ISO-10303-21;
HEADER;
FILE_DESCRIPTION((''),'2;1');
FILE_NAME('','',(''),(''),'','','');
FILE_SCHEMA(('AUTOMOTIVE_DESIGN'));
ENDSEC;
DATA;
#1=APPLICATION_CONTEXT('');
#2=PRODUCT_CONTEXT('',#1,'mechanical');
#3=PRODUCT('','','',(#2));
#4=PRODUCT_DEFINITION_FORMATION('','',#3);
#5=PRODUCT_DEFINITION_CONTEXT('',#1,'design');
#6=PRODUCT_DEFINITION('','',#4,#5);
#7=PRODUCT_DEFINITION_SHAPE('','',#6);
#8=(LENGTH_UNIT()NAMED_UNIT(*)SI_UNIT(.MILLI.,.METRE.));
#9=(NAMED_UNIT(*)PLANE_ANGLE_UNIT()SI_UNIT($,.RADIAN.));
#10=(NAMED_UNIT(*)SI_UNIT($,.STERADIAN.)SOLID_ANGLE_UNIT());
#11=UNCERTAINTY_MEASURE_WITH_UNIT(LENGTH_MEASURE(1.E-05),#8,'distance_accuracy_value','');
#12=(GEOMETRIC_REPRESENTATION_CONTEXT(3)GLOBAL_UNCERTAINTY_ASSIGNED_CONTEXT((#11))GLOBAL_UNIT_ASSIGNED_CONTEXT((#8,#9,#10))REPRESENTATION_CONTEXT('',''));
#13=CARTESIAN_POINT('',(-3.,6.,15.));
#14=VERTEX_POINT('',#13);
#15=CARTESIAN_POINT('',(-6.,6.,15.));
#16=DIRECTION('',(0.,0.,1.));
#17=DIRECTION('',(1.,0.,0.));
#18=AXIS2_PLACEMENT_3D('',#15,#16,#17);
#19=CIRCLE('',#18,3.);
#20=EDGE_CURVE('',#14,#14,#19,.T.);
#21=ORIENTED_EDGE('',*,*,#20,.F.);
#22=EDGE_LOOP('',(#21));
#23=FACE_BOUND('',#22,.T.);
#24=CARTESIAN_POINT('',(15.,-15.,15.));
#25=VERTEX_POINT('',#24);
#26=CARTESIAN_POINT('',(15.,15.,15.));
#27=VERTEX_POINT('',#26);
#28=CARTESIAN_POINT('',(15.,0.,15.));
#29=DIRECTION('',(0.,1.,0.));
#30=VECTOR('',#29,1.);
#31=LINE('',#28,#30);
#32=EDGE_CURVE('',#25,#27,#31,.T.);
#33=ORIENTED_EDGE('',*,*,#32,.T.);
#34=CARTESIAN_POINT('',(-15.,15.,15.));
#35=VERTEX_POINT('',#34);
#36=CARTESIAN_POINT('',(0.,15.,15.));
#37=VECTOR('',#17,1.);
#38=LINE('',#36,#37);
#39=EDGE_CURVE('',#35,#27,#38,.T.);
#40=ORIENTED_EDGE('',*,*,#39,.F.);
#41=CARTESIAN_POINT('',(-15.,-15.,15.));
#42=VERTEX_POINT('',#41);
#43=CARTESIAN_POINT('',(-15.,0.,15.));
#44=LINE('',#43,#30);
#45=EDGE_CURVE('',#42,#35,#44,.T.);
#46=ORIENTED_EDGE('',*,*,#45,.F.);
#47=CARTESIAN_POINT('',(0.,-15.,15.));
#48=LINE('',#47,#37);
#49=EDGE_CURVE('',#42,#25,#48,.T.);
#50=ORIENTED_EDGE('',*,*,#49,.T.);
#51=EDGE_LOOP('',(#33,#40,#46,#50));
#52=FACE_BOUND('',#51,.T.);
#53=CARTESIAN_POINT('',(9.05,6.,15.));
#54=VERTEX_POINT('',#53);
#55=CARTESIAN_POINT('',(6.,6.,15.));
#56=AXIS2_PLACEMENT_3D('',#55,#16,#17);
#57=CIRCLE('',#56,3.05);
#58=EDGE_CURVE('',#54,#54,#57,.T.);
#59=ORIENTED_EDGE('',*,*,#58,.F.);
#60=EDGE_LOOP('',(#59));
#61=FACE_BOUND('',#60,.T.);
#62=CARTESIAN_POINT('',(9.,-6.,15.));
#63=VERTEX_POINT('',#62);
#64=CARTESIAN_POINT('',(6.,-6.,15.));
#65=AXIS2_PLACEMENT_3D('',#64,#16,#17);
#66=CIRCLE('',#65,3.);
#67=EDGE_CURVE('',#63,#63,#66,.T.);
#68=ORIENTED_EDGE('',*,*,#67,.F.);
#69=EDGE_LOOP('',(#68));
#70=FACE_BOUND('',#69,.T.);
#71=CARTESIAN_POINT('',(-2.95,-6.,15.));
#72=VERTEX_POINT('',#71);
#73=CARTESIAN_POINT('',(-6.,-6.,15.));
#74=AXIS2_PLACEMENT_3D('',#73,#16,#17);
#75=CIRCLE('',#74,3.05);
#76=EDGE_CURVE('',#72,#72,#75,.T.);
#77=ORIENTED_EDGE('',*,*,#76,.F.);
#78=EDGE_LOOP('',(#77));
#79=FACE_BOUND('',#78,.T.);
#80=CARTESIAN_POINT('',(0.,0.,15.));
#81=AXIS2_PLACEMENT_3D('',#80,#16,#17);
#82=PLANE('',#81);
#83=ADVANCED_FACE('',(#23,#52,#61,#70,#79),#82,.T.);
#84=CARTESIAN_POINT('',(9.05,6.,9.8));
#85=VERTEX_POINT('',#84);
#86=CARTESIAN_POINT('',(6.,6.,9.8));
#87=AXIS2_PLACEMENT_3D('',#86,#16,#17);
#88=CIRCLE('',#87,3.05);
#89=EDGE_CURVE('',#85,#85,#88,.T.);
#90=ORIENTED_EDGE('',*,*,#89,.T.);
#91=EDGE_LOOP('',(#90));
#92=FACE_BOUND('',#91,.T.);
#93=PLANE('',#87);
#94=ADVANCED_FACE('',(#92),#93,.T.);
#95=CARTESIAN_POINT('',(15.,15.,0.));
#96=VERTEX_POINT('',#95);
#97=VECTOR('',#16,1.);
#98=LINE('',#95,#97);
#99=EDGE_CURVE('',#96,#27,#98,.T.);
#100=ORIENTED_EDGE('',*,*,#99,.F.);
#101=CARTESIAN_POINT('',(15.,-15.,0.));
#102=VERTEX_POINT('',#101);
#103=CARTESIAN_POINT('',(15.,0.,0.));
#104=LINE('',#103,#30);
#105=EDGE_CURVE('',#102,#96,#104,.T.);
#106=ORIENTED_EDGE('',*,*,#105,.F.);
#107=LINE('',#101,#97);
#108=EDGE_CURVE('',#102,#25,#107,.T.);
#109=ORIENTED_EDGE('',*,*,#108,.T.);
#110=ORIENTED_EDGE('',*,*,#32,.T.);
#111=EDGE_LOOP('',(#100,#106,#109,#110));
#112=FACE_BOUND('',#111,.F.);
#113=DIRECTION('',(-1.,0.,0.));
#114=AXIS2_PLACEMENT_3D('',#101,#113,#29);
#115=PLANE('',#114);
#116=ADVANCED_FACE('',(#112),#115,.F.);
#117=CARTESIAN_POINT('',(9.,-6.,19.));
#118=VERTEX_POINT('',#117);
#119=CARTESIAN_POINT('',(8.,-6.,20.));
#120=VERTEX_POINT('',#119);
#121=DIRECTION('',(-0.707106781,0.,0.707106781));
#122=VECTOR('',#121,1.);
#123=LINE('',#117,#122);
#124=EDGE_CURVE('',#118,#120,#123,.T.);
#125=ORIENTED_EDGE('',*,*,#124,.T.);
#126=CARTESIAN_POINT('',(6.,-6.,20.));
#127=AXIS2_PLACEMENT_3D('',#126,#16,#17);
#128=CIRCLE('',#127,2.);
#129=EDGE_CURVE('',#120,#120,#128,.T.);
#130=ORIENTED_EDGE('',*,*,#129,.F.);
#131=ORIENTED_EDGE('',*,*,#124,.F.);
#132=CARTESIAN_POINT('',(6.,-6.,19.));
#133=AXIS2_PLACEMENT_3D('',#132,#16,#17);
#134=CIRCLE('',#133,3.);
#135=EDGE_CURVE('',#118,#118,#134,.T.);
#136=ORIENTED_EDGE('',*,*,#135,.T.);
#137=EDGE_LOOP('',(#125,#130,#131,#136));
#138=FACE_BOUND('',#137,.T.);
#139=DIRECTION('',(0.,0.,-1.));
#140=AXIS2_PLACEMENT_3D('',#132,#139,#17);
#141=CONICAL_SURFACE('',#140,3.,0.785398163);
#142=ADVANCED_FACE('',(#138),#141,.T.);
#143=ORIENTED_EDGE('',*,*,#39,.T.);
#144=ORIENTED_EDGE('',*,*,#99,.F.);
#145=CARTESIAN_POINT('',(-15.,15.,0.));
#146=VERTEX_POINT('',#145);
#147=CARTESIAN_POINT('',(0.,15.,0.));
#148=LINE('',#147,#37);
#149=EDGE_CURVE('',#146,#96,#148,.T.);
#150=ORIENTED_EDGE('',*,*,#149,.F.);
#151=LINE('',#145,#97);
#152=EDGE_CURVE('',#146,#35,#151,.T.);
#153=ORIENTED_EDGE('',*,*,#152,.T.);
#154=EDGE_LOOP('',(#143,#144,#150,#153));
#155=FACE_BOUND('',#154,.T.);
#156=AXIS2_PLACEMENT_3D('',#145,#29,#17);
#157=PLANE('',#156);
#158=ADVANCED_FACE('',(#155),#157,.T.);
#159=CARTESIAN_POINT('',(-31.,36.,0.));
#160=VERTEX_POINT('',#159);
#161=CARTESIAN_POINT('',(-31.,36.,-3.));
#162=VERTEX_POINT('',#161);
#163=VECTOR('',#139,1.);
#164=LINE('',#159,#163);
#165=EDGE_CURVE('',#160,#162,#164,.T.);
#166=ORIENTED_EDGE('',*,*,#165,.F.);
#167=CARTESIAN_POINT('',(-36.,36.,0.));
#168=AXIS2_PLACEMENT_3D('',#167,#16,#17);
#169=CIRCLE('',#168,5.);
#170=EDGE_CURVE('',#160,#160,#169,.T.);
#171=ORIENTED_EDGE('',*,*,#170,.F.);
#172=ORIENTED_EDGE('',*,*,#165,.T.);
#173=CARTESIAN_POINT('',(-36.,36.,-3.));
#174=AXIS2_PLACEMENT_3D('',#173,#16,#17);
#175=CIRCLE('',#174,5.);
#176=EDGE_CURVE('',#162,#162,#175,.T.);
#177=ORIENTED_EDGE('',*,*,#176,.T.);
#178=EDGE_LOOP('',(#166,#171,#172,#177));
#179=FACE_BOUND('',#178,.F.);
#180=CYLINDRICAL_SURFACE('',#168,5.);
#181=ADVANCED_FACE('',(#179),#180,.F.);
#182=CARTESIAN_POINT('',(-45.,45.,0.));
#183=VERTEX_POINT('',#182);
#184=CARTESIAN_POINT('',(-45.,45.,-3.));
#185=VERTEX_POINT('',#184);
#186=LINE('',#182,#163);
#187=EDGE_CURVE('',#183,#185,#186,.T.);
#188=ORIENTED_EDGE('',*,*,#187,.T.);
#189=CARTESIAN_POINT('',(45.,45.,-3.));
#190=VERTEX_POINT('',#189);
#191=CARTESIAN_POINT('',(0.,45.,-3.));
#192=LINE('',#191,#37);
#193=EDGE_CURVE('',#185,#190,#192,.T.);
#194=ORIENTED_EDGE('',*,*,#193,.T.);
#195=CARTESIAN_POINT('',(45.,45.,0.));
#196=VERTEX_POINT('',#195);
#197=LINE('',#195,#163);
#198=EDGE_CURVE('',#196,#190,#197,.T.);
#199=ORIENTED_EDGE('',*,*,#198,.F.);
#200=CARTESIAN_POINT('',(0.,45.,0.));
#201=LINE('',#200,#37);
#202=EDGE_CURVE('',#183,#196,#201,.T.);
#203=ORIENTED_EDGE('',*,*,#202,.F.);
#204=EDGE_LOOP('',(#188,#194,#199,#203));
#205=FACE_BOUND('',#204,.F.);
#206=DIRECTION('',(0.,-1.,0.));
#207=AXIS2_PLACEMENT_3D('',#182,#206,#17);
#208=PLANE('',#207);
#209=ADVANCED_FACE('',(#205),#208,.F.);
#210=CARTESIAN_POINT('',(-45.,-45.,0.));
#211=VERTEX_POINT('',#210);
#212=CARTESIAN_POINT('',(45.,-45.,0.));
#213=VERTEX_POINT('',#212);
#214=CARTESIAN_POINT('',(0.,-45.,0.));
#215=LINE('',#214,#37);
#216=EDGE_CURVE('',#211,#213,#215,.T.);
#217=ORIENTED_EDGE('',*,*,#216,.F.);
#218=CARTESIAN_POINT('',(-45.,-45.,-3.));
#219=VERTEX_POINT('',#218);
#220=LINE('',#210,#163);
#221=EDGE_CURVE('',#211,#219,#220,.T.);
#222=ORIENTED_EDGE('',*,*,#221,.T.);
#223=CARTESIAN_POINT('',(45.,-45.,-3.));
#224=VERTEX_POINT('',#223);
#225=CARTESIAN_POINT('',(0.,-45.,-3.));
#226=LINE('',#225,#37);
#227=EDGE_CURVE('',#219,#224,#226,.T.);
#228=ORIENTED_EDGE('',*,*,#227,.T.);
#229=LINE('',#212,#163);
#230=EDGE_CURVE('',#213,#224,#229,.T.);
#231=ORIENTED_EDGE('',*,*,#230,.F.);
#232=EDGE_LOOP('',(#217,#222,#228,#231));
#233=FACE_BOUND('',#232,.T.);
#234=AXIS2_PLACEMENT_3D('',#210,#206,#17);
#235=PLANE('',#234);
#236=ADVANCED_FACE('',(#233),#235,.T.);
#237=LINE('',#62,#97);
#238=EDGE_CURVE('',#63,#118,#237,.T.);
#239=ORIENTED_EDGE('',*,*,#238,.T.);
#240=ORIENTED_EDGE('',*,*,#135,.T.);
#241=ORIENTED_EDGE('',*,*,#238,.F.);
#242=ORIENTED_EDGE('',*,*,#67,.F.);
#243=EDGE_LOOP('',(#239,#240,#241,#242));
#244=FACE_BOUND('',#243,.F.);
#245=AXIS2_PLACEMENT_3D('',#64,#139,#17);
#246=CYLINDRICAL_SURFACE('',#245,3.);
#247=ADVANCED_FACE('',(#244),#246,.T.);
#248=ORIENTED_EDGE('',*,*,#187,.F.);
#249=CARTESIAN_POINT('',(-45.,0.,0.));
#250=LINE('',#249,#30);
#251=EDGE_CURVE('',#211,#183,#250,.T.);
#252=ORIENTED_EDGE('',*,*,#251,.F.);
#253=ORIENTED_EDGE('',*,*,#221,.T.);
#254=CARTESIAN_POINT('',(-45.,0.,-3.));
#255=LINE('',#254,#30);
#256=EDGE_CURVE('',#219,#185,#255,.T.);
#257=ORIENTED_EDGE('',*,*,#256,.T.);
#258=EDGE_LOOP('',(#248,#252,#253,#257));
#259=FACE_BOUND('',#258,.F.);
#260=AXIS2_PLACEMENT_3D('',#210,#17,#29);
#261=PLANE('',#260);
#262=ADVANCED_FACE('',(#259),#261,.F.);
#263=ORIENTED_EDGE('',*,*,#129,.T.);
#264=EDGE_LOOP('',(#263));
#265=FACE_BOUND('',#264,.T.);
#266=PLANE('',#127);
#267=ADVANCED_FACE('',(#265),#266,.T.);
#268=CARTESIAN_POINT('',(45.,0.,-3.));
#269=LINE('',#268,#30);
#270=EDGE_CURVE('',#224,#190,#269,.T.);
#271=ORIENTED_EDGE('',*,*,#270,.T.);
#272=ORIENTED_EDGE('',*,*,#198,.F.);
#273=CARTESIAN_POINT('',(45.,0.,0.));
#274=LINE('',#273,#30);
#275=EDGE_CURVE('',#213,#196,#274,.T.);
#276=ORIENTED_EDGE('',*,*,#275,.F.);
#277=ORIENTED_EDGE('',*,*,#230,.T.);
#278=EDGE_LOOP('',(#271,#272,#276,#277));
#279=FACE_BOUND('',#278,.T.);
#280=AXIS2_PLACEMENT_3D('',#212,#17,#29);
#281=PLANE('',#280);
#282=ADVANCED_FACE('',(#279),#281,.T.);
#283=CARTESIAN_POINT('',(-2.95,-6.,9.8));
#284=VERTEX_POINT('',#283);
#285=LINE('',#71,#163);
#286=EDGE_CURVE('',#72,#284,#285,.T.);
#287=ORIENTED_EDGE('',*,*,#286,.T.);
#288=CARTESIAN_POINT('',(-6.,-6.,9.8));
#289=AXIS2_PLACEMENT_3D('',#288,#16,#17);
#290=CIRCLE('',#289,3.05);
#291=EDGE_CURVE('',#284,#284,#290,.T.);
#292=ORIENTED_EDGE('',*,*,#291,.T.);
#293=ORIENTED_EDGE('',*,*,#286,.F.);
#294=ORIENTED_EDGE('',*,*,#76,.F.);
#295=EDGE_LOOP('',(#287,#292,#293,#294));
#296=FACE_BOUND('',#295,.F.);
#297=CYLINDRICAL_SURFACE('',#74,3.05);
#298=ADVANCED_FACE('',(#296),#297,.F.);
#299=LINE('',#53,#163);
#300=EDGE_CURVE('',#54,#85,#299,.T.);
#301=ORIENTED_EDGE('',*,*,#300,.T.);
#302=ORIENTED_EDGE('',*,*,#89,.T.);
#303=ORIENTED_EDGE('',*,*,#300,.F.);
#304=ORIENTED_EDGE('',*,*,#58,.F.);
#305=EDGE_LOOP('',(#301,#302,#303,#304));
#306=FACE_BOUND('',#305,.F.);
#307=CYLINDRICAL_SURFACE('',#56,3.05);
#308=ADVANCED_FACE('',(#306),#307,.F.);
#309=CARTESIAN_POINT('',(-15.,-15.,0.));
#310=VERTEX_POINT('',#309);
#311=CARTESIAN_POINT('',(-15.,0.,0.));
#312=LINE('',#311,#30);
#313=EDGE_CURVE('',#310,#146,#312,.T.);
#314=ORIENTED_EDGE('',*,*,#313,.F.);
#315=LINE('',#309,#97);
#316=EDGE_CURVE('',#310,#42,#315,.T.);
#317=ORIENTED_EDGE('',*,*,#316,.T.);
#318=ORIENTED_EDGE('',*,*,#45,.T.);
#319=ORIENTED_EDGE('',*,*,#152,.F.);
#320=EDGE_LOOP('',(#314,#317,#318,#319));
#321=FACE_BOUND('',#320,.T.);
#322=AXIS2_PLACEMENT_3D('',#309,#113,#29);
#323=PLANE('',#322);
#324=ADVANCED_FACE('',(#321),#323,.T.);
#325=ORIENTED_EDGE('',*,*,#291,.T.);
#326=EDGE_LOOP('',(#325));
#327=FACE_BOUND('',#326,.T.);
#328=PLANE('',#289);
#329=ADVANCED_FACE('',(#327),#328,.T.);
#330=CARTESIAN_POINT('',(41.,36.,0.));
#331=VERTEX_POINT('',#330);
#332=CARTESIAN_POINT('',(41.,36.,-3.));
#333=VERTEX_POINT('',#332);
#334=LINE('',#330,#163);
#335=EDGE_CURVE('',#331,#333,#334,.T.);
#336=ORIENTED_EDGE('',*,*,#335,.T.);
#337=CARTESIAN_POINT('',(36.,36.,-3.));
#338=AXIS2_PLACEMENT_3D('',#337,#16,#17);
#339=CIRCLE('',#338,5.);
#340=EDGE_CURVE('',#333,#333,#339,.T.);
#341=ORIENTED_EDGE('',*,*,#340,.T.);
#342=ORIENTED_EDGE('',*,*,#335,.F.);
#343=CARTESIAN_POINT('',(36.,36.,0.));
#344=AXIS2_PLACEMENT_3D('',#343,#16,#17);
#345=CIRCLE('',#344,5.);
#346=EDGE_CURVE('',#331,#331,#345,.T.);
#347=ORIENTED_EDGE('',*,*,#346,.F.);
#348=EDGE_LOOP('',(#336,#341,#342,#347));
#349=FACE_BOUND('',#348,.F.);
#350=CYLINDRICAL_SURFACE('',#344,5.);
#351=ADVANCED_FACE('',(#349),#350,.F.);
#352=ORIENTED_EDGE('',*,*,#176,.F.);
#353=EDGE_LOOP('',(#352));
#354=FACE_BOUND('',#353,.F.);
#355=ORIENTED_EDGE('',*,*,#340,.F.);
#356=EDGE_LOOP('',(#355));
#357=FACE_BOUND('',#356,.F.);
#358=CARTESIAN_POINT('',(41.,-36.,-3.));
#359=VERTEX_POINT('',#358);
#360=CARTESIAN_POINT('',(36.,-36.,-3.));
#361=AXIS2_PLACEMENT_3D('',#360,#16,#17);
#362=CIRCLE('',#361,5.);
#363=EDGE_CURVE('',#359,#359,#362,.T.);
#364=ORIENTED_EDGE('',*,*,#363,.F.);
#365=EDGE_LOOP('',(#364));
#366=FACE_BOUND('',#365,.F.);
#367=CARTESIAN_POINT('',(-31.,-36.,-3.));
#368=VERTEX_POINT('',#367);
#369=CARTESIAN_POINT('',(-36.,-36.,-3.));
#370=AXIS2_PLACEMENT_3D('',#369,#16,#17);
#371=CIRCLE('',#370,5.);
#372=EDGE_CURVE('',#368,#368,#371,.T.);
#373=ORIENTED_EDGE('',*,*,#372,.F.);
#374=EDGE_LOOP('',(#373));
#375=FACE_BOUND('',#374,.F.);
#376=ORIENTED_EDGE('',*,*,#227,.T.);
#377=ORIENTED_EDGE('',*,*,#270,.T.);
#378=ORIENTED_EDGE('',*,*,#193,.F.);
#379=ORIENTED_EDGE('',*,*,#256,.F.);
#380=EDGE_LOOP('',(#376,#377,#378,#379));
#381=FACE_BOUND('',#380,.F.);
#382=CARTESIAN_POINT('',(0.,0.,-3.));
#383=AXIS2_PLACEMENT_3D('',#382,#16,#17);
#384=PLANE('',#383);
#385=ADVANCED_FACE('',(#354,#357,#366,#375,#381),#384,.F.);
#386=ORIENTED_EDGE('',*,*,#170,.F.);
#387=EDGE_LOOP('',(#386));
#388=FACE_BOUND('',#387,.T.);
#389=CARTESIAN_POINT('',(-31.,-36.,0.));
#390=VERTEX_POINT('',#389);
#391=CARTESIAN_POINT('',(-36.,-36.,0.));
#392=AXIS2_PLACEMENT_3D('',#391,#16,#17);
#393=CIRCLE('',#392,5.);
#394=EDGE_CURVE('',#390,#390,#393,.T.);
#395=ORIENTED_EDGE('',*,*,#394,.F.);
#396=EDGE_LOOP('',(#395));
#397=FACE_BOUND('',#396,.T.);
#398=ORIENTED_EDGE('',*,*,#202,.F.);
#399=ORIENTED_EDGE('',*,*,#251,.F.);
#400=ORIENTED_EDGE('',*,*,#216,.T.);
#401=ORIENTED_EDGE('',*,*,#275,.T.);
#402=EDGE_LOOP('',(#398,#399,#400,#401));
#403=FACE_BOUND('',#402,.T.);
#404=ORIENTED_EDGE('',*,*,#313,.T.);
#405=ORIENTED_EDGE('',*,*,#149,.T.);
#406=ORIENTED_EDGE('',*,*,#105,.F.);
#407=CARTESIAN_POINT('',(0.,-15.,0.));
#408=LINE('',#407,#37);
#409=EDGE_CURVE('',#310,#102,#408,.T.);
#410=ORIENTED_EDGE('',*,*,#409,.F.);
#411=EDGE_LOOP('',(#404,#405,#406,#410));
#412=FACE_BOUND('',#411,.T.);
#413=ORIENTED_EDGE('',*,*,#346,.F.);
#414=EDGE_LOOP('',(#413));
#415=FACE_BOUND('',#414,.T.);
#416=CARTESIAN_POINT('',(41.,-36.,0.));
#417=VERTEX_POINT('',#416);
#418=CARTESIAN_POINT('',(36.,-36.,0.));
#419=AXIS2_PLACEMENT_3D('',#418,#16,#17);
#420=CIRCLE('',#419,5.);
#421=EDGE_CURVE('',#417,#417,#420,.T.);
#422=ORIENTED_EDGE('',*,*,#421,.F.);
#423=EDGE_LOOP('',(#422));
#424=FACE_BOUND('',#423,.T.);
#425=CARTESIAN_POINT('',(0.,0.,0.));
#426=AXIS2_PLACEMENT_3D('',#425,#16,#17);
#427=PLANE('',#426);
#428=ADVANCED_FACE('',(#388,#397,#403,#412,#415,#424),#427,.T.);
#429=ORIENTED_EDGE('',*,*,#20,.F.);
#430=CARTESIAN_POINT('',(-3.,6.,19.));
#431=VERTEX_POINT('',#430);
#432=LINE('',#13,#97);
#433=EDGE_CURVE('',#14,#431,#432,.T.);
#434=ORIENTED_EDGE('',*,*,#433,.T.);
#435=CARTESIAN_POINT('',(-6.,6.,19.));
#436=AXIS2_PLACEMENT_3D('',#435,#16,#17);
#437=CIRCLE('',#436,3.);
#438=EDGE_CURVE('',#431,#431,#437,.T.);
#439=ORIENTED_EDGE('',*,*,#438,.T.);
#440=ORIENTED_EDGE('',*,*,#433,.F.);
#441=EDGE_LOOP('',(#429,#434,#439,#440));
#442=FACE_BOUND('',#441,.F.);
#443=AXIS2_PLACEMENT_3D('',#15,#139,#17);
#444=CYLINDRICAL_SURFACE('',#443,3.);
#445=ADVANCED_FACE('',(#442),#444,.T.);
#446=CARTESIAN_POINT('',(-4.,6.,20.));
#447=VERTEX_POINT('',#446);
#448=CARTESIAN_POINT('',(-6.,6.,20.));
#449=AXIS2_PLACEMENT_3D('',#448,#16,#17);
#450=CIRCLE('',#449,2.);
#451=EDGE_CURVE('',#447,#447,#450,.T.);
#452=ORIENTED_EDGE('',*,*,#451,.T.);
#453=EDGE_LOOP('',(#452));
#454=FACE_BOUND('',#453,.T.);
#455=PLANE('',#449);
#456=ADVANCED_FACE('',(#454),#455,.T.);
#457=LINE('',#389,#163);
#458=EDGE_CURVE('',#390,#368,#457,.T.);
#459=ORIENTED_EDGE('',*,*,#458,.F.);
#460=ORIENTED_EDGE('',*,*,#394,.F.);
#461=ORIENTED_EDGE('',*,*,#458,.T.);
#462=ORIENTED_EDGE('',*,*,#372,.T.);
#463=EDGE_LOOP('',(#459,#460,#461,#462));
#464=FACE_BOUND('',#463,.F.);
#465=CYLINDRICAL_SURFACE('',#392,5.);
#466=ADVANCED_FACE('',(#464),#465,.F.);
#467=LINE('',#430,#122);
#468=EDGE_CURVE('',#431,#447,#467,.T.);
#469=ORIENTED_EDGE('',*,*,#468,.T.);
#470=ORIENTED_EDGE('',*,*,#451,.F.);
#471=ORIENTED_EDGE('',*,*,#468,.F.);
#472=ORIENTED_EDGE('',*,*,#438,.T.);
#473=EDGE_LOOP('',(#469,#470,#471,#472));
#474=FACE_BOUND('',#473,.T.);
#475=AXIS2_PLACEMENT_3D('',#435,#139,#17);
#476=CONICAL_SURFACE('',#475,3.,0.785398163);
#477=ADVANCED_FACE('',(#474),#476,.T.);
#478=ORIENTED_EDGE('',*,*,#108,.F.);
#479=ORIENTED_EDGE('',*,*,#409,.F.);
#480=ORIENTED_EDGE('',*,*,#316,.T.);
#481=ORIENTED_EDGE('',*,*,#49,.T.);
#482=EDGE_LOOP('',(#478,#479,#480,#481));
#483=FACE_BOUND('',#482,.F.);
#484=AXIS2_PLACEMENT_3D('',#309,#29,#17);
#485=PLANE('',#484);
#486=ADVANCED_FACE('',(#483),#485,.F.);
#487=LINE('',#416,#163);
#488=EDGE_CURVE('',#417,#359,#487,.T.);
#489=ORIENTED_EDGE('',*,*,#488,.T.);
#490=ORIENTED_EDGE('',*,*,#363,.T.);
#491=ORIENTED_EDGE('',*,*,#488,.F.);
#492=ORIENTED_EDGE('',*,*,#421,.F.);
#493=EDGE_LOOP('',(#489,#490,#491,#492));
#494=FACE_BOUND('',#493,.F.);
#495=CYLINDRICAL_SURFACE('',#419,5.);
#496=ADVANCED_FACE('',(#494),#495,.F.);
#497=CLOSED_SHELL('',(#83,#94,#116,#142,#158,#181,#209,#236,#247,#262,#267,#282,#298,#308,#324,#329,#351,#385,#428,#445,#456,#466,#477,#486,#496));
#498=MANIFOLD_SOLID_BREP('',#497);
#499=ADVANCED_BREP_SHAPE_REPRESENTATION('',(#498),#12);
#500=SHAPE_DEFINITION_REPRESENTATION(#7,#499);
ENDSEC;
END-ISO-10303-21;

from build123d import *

# Parameters (mm, degrees)
F0_W      = 30
F0_H      = 30
F1_DEPTH  = 15
F2_W      = 90
F2_H      = 90
F3_DEPTH  = 3
F4_R      = 5
F5_DEPTH  = 3.001
F6_R      = 3
F7_DEPTH  = 5
F8_SIZE   = 1
F9_R      = 3.05
F10_DEPTH = 5.2


with BuildPart() as f1:
    # F0 (on Top) → F1 (new body)
    with BuildSketch(Plane.XY):
        Rectangle(F0_W, F0_H)
    extrude(amount=F1_DEPTH)

    # F2 (on Top) → F3 (join)
    with BuildSketch(Plane.XY):
        Rectangle(F2_W, F2_H)
    extrude(amount=-F3_DEPTH)

    # F4 (on face) → F5 (cut, through all)
    with BuildSketch(Plane.XY):
        with Locations((-36, 36)):
            Circle(F4_R)
        with Locations((36, 36)):
            Circle(F4_R)
        with Locations((36, -36)):
            Circle(F4_R)
        with Locations((-36, -36)):
            Circle(F4_R)
    extrude(amount=-F5_DEPTH, mode=Mode.SUBTRACT)

    # F6 (on face) → F7 (join)
    with BuildSketch(Plane.XY.offset(15)):
        with Locations((-6, 6)):
            Circle(F6_R)
        with Locations((6, -6)):
            Circle(F6_R)
    extrude(amount=F7_DEPTH)

    # F8
    f8_edges = [f1.edges().sort_by_distance(p)[0] for p in [
        (-9, 6, 20),
        (3, -6, 20),
    ]]
    chamfer(f8_edges, length=F8_SIZE)

    # F9 (on face) → F10 (cut)
    with BuildSketch(Plane.XY.offset(15)):
        with Locations((-6, -6)):
            Circle(F9_R)
        with Locations((6, 6)):
            Circle(F9_R)
    extrude(amount=-F10_DEPTH, mode=Mode.SUBTRACT)


solid = f1.part
